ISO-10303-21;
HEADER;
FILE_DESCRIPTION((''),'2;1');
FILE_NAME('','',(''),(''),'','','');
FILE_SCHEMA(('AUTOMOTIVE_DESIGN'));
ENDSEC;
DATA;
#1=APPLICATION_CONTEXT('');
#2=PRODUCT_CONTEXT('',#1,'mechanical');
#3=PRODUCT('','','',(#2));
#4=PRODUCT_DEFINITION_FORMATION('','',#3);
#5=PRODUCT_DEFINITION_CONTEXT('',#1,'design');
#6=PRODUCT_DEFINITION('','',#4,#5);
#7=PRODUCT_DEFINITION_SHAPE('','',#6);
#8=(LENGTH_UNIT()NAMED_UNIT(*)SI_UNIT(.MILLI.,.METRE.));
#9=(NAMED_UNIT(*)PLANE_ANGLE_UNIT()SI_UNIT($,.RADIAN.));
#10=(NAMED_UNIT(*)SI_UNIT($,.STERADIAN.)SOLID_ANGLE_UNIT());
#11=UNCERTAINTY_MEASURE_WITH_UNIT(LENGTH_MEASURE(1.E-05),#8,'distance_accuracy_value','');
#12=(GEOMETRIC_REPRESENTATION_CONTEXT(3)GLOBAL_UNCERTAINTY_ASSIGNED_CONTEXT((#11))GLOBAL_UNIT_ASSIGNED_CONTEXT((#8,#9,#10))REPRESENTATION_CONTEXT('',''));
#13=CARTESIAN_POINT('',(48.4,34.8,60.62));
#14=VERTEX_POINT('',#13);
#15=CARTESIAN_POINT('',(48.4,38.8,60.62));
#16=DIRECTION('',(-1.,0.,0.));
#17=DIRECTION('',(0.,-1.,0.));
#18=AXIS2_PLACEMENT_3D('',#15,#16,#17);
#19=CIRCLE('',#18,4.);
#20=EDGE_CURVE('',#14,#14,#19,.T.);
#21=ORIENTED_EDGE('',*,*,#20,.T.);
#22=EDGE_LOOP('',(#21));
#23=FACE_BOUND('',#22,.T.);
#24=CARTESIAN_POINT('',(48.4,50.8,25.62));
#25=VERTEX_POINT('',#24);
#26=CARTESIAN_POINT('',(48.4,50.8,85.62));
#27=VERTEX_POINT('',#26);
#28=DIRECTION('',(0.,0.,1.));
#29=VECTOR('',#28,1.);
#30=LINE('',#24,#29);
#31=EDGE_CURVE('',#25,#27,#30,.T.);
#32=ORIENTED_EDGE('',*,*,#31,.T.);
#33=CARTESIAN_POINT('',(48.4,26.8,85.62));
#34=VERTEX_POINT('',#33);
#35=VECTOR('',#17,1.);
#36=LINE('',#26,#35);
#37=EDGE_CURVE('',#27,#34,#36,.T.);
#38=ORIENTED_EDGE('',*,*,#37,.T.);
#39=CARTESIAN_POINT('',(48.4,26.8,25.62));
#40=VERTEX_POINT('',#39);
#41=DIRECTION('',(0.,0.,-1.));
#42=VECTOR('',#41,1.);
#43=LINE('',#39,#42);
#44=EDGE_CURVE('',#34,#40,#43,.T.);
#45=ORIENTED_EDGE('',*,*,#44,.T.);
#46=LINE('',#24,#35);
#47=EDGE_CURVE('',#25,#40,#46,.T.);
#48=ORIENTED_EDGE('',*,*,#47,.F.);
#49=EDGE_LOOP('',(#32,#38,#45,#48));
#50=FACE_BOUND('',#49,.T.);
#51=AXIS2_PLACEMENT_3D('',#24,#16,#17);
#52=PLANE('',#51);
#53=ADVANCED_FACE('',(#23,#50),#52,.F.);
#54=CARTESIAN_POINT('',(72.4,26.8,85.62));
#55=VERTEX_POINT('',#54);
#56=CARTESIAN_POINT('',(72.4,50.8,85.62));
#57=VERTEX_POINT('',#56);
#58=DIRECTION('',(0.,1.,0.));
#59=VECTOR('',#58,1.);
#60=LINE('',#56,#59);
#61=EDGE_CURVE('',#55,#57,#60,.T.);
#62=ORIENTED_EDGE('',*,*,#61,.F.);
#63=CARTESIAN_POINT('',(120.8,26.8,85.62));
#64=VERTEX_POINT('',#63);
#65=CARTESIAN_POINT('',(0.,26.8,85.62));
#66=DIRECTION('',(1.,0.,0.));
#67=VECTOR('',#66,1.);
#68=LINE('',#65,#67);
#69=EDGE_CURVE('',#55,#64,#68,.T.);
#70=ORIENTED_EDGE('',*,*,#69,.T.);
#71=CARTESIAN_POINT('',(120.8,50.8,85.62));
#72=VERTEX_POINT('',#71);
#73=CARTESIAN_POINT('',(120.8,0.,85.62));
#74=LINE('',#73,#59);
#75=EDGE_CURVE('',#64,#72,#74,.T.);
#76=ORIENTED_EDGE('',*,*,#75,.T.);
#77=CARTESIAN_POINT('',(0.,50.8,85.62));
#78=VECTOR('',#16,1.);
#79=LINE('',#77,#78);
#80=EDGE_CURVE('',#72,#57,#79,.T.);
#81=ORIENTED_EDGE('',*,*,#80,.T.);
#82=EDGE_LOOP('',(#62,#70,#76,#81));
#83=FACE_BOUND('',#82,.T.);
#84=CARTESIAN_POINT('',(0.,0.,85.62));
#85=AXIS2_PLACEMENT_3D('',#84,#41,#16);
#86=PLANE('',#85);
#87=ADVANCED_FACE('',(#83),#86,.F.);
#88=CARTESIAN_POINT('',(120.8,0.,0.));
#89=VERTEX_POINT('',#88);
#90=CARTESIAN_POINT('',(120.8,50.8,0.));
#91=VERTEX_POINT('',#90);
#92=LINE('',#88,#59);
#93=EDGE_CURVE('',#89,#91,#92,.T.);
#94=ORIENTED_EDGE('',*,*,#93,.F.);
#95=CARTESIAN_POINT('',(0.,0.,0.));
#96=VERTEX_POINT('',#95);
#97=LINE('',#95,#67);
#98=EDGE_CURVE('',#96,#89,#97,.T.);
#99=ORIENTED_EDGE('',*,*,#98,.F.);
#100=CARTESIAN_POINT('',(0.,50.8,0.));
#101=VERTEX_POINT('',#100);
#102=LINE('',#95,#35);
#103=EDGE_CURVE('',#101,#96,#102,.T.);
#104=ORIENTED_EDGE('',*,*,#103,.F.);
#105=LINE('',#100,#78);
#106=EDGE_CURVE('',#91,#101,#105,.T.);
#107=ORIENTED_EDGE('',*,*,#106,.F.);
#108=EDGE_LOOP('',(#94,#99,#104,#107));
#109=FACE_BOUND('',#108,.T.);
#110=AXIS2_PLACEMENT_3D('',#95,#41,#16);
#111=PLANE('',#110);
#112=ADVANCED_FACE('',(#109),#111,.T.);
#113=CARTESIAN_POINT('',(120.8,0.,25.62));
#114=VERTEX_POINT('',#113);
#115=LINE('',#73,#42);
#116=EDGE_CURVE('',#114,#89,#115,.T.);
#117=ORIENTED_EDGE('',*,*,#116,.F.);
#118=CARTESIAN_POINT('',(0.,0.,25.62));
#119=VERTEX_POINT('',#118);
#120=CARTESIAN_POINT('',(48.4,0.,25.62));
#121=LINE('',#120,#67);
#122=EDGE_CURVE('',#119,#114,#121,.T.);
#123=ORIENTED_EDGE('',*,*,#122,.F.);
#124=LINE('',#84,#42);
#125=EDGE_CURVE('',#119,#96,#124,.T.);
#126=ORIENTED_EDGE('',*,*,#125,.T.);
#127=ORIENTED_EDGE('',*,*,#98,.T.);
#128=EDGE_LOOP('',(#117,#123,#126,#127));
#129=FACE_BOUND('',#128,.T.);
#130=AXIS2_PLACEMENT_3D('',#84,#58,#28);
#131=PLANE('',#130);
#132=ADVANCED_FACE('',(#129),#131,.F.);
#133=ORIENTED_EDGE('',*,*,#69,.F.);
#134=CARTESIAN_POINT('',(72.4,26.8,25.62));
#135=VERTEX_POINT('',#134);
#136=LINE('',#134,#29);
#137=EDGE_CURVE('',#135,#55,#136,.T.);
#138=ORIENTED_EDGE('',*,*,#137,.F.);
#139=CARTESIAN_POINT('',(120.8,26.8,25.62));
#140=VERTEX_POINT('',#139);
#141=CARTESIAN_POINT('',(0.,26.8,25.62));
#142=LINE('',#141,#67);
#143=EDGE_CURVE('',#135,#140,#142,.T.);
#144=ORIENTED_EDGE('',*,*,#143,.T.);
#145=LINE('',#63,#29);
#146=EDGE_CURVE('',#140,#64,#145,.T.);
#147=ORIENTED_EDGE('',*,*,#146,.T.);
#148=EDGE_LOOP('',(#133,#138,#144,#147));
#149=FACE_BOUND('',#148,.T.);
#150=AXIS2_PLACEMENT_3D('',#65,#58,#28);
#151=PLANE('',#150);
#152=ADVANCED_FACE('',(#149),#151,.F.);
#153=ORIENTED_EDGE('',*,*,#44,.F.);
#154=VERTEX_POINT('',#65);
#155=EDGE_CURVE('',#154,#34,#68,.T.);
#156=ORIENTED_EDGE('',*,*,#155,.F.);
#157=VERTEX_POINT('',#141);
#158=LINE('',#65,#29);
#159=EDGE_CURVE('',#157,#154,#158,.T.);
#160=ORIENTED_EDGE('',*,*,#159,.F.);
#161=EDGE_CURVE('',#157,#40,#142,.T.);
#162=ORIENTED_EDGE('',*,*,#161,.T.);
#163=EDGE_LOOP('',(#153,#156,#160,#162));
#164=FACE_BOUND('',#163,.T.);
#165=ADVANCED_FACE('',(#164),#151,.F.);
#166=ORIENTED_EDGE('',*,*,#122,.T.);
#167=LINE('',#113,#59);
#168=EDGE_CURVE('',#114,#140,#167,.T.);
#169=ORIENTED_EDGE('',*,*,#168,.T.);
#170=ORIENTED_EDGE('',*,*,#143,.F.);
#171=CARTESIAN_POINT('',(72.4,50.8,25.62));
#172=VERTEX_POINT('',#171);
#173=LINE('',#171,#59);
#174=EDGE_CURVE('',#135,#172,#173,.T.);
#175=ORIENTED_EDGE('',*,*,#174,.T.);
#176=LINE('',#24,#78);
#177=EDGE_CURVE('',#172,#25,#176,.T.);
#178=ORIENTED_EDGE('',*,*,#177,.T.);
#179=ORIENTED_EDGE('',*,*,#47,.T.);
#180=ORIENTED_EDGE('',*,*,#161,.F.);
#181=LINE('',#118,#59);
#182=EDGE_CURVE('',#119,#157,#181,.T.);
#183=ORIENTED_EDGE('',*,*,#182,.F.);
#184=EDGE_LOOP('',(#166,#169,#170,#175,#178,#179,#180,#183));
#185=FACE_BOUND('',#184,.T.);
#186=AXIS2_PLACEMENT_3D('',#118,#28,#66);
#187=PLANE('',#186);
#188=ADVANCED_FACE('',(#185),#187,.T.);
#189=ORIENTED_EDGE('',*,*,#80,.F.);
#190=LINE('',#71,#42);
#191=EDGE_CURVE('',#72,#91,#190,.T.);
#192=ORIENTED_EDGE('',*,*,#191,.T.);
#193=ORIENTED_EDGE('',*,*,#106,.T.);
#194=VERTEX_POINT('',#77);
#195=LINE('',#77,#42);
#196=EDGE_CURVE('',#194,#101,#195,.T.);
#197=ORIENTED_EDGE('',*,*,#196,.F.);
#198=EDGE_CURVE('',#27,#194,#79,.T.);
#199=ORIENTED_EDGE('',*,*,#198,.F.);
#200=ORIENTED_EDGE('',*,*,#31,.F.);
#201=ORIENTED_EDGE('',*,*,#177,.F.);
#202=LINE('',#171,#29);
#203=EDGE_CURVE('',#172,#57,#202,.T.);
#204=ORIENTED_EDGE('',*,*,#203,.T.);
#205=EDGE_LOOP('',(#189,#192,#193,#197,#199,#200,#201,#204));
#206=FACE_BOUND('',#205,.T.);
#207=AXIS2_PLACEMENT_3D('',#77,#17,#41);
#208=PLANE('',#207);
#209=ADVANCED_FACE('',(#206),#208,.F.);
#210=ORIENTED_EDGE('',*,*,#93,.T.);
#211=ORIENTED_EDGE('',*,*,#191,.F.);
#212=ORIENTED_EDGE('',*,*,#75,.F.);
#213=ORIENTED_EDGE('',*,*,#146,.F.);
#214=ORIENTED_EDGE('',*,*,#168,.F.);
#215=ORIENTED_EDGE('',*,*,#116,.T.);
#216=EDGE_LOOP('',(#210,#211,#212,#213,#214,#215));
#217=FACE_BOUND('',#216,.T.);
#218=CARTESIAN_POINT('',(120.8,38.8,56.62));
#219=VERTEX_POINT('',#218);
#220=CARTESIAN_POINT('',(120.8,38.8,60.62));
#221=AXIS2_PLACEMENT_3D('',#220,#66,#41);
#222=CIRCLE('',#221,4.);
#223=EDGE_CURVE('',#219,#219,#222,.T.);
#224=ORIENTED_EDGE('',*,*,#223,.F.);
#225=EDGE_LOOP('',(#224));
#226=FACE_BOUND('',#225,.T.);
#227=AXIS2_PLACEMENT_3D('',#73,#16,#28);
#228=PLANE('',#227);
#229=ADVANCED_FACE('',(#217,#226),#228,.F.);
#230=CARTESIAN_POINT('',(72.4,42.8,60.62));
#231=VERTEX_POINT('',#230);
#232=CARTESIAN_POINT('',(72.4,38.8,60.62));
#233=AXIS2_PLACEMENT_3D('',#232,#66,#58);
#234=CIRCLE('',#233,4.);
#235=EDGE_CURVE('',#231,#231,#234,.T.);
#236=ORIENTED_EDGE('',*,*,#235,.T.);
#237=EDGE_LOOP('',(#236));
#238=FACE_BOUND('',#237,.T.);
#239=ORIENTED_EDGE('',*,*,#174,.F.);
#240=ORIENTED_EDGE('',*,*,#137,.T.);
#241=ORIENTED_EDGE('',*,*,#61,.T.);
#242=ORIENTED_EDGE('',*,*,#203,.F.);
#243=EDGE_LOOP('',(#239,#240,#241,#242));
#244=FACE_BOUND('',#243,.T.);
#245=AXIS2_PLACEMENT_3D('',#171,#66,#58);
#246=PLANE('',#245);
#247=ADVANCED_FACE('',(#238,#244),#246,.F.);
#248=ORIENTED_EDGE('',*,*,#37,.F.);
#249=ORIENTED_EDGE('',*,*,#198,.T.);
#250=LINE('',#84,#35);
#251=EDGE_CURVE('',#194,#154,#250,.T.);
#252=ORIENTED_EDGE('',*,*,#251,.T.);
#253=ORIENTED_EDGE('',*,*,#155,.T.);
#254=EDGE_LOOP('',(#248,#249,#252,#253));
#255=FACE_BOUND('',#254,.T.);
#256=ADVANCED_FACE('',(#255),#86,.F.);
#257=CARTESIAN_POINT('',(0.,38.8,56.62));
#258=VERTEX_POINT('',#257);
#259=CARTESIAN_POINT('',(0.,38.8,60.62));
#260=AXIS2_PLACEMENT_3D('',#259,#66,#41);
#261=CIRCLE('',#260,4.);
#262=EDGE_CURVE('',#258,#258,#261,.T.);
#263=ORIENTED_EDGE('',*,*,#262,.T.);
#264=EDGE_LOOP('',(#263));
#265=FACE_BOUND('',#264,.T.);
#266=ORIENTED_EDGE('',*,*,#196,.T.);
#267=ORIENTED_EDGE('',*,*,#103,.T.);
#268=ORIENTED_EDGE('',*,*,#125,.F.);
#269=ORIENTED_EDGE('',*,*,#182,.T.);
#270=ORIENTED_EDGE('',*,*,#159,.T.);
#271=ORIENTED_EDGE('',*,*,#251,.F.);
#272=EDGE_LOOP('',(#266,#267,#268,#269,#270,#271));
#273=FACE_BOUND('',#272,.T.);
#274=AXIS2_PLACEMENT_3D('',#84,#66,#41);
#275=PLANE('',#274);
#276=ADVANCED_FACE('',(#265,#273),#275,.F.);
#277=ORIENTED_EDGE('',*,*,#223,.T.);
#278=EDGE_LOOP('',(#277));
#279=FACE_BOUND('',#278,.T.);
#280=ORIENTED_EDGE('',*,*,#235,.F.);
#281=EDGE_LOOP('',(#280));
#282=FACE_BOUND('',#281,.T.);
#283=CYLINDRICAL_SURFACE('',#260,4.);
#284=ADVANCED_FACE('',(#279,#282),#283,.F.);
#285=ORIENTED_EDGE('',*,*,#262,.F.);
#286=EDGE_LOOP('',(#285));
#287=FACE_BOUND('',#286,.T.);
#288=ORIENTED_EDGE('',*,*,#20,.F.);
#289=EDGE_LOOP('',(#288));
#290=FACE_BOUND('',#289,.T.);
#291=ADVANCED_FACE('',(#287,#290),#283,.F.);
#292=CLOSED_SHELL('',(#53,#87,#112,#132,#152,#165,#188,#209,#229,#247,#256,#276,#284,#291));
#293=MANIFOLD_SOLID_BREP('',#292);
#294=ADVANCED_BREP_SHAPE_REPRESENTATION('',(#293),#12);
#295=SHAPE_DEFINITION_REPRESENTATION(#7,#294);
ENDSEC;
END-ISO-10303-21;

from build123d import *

# Parameters (mm, degrees)
SKETCH1_W           = 120.8
SKETCH1_H           = 50.8
BOSS_EXTRUDE1_DEPTH = 85.62
SKETCH2_W           = 24
SKETCH2_H           = 50.8
CUT_EXTRUDE1_DEPTH  = 60
SKETCH3_R           = 4
CUT_EXTRUDE2_DEPTH  = 121.8
SKETCH4_W           = 26.8
SKETCH4_H           = 60
CUT_EXTRUDE3_DEPTH  = 121.8


with BuildPart() as part:
    # Sketch1 → Boss-Extrude1 (new body)
    with BuildSketch(Plane.XY):
        with Locations((60.4, 25.4)):
            Rectangle(SKETCH1_W, SKETCH1_H)
    extrude(amount=BOSS_EXTRUDE1_DEPTH)

    # Sketch2 → Cut-Extrude1 (cut)
    with BuildSketch(Plane.XY.offset(85.62)):
        with Locations((60.4, 25.4)):
            Rectangle(SKETCH2_W, SKETCH2_H)
    extrude(amount=-CUT_EXTRUDE1_DEPTH, mode=Mode.SUBTRACT)

    # Sketch3 → Cut-Extrude2 (cut, through all)
    with BuildSketch(Plane.YZ.offset(120.8)):
        with Locations((38.8, 60.62)):
            Circle(SKETCH3_R)
    extrude(amount=-CUT_EXTRUDE2_DEPTH, mode=Mode.SUBTRACT)

    # Sketch4 → Cut-Extrude3 (cut, through all)
    with BuildSketch(Plane.YZ.offset(120.8)):
        with Locations((13.4, 55.62)):
            Rectangle(SKETCH4_W, SKETCH4_H)
    extrude(amount=-CUT_EXTRUDE3_DEPTH, mode=Mode.SUBTRACT)


solid = part.part
